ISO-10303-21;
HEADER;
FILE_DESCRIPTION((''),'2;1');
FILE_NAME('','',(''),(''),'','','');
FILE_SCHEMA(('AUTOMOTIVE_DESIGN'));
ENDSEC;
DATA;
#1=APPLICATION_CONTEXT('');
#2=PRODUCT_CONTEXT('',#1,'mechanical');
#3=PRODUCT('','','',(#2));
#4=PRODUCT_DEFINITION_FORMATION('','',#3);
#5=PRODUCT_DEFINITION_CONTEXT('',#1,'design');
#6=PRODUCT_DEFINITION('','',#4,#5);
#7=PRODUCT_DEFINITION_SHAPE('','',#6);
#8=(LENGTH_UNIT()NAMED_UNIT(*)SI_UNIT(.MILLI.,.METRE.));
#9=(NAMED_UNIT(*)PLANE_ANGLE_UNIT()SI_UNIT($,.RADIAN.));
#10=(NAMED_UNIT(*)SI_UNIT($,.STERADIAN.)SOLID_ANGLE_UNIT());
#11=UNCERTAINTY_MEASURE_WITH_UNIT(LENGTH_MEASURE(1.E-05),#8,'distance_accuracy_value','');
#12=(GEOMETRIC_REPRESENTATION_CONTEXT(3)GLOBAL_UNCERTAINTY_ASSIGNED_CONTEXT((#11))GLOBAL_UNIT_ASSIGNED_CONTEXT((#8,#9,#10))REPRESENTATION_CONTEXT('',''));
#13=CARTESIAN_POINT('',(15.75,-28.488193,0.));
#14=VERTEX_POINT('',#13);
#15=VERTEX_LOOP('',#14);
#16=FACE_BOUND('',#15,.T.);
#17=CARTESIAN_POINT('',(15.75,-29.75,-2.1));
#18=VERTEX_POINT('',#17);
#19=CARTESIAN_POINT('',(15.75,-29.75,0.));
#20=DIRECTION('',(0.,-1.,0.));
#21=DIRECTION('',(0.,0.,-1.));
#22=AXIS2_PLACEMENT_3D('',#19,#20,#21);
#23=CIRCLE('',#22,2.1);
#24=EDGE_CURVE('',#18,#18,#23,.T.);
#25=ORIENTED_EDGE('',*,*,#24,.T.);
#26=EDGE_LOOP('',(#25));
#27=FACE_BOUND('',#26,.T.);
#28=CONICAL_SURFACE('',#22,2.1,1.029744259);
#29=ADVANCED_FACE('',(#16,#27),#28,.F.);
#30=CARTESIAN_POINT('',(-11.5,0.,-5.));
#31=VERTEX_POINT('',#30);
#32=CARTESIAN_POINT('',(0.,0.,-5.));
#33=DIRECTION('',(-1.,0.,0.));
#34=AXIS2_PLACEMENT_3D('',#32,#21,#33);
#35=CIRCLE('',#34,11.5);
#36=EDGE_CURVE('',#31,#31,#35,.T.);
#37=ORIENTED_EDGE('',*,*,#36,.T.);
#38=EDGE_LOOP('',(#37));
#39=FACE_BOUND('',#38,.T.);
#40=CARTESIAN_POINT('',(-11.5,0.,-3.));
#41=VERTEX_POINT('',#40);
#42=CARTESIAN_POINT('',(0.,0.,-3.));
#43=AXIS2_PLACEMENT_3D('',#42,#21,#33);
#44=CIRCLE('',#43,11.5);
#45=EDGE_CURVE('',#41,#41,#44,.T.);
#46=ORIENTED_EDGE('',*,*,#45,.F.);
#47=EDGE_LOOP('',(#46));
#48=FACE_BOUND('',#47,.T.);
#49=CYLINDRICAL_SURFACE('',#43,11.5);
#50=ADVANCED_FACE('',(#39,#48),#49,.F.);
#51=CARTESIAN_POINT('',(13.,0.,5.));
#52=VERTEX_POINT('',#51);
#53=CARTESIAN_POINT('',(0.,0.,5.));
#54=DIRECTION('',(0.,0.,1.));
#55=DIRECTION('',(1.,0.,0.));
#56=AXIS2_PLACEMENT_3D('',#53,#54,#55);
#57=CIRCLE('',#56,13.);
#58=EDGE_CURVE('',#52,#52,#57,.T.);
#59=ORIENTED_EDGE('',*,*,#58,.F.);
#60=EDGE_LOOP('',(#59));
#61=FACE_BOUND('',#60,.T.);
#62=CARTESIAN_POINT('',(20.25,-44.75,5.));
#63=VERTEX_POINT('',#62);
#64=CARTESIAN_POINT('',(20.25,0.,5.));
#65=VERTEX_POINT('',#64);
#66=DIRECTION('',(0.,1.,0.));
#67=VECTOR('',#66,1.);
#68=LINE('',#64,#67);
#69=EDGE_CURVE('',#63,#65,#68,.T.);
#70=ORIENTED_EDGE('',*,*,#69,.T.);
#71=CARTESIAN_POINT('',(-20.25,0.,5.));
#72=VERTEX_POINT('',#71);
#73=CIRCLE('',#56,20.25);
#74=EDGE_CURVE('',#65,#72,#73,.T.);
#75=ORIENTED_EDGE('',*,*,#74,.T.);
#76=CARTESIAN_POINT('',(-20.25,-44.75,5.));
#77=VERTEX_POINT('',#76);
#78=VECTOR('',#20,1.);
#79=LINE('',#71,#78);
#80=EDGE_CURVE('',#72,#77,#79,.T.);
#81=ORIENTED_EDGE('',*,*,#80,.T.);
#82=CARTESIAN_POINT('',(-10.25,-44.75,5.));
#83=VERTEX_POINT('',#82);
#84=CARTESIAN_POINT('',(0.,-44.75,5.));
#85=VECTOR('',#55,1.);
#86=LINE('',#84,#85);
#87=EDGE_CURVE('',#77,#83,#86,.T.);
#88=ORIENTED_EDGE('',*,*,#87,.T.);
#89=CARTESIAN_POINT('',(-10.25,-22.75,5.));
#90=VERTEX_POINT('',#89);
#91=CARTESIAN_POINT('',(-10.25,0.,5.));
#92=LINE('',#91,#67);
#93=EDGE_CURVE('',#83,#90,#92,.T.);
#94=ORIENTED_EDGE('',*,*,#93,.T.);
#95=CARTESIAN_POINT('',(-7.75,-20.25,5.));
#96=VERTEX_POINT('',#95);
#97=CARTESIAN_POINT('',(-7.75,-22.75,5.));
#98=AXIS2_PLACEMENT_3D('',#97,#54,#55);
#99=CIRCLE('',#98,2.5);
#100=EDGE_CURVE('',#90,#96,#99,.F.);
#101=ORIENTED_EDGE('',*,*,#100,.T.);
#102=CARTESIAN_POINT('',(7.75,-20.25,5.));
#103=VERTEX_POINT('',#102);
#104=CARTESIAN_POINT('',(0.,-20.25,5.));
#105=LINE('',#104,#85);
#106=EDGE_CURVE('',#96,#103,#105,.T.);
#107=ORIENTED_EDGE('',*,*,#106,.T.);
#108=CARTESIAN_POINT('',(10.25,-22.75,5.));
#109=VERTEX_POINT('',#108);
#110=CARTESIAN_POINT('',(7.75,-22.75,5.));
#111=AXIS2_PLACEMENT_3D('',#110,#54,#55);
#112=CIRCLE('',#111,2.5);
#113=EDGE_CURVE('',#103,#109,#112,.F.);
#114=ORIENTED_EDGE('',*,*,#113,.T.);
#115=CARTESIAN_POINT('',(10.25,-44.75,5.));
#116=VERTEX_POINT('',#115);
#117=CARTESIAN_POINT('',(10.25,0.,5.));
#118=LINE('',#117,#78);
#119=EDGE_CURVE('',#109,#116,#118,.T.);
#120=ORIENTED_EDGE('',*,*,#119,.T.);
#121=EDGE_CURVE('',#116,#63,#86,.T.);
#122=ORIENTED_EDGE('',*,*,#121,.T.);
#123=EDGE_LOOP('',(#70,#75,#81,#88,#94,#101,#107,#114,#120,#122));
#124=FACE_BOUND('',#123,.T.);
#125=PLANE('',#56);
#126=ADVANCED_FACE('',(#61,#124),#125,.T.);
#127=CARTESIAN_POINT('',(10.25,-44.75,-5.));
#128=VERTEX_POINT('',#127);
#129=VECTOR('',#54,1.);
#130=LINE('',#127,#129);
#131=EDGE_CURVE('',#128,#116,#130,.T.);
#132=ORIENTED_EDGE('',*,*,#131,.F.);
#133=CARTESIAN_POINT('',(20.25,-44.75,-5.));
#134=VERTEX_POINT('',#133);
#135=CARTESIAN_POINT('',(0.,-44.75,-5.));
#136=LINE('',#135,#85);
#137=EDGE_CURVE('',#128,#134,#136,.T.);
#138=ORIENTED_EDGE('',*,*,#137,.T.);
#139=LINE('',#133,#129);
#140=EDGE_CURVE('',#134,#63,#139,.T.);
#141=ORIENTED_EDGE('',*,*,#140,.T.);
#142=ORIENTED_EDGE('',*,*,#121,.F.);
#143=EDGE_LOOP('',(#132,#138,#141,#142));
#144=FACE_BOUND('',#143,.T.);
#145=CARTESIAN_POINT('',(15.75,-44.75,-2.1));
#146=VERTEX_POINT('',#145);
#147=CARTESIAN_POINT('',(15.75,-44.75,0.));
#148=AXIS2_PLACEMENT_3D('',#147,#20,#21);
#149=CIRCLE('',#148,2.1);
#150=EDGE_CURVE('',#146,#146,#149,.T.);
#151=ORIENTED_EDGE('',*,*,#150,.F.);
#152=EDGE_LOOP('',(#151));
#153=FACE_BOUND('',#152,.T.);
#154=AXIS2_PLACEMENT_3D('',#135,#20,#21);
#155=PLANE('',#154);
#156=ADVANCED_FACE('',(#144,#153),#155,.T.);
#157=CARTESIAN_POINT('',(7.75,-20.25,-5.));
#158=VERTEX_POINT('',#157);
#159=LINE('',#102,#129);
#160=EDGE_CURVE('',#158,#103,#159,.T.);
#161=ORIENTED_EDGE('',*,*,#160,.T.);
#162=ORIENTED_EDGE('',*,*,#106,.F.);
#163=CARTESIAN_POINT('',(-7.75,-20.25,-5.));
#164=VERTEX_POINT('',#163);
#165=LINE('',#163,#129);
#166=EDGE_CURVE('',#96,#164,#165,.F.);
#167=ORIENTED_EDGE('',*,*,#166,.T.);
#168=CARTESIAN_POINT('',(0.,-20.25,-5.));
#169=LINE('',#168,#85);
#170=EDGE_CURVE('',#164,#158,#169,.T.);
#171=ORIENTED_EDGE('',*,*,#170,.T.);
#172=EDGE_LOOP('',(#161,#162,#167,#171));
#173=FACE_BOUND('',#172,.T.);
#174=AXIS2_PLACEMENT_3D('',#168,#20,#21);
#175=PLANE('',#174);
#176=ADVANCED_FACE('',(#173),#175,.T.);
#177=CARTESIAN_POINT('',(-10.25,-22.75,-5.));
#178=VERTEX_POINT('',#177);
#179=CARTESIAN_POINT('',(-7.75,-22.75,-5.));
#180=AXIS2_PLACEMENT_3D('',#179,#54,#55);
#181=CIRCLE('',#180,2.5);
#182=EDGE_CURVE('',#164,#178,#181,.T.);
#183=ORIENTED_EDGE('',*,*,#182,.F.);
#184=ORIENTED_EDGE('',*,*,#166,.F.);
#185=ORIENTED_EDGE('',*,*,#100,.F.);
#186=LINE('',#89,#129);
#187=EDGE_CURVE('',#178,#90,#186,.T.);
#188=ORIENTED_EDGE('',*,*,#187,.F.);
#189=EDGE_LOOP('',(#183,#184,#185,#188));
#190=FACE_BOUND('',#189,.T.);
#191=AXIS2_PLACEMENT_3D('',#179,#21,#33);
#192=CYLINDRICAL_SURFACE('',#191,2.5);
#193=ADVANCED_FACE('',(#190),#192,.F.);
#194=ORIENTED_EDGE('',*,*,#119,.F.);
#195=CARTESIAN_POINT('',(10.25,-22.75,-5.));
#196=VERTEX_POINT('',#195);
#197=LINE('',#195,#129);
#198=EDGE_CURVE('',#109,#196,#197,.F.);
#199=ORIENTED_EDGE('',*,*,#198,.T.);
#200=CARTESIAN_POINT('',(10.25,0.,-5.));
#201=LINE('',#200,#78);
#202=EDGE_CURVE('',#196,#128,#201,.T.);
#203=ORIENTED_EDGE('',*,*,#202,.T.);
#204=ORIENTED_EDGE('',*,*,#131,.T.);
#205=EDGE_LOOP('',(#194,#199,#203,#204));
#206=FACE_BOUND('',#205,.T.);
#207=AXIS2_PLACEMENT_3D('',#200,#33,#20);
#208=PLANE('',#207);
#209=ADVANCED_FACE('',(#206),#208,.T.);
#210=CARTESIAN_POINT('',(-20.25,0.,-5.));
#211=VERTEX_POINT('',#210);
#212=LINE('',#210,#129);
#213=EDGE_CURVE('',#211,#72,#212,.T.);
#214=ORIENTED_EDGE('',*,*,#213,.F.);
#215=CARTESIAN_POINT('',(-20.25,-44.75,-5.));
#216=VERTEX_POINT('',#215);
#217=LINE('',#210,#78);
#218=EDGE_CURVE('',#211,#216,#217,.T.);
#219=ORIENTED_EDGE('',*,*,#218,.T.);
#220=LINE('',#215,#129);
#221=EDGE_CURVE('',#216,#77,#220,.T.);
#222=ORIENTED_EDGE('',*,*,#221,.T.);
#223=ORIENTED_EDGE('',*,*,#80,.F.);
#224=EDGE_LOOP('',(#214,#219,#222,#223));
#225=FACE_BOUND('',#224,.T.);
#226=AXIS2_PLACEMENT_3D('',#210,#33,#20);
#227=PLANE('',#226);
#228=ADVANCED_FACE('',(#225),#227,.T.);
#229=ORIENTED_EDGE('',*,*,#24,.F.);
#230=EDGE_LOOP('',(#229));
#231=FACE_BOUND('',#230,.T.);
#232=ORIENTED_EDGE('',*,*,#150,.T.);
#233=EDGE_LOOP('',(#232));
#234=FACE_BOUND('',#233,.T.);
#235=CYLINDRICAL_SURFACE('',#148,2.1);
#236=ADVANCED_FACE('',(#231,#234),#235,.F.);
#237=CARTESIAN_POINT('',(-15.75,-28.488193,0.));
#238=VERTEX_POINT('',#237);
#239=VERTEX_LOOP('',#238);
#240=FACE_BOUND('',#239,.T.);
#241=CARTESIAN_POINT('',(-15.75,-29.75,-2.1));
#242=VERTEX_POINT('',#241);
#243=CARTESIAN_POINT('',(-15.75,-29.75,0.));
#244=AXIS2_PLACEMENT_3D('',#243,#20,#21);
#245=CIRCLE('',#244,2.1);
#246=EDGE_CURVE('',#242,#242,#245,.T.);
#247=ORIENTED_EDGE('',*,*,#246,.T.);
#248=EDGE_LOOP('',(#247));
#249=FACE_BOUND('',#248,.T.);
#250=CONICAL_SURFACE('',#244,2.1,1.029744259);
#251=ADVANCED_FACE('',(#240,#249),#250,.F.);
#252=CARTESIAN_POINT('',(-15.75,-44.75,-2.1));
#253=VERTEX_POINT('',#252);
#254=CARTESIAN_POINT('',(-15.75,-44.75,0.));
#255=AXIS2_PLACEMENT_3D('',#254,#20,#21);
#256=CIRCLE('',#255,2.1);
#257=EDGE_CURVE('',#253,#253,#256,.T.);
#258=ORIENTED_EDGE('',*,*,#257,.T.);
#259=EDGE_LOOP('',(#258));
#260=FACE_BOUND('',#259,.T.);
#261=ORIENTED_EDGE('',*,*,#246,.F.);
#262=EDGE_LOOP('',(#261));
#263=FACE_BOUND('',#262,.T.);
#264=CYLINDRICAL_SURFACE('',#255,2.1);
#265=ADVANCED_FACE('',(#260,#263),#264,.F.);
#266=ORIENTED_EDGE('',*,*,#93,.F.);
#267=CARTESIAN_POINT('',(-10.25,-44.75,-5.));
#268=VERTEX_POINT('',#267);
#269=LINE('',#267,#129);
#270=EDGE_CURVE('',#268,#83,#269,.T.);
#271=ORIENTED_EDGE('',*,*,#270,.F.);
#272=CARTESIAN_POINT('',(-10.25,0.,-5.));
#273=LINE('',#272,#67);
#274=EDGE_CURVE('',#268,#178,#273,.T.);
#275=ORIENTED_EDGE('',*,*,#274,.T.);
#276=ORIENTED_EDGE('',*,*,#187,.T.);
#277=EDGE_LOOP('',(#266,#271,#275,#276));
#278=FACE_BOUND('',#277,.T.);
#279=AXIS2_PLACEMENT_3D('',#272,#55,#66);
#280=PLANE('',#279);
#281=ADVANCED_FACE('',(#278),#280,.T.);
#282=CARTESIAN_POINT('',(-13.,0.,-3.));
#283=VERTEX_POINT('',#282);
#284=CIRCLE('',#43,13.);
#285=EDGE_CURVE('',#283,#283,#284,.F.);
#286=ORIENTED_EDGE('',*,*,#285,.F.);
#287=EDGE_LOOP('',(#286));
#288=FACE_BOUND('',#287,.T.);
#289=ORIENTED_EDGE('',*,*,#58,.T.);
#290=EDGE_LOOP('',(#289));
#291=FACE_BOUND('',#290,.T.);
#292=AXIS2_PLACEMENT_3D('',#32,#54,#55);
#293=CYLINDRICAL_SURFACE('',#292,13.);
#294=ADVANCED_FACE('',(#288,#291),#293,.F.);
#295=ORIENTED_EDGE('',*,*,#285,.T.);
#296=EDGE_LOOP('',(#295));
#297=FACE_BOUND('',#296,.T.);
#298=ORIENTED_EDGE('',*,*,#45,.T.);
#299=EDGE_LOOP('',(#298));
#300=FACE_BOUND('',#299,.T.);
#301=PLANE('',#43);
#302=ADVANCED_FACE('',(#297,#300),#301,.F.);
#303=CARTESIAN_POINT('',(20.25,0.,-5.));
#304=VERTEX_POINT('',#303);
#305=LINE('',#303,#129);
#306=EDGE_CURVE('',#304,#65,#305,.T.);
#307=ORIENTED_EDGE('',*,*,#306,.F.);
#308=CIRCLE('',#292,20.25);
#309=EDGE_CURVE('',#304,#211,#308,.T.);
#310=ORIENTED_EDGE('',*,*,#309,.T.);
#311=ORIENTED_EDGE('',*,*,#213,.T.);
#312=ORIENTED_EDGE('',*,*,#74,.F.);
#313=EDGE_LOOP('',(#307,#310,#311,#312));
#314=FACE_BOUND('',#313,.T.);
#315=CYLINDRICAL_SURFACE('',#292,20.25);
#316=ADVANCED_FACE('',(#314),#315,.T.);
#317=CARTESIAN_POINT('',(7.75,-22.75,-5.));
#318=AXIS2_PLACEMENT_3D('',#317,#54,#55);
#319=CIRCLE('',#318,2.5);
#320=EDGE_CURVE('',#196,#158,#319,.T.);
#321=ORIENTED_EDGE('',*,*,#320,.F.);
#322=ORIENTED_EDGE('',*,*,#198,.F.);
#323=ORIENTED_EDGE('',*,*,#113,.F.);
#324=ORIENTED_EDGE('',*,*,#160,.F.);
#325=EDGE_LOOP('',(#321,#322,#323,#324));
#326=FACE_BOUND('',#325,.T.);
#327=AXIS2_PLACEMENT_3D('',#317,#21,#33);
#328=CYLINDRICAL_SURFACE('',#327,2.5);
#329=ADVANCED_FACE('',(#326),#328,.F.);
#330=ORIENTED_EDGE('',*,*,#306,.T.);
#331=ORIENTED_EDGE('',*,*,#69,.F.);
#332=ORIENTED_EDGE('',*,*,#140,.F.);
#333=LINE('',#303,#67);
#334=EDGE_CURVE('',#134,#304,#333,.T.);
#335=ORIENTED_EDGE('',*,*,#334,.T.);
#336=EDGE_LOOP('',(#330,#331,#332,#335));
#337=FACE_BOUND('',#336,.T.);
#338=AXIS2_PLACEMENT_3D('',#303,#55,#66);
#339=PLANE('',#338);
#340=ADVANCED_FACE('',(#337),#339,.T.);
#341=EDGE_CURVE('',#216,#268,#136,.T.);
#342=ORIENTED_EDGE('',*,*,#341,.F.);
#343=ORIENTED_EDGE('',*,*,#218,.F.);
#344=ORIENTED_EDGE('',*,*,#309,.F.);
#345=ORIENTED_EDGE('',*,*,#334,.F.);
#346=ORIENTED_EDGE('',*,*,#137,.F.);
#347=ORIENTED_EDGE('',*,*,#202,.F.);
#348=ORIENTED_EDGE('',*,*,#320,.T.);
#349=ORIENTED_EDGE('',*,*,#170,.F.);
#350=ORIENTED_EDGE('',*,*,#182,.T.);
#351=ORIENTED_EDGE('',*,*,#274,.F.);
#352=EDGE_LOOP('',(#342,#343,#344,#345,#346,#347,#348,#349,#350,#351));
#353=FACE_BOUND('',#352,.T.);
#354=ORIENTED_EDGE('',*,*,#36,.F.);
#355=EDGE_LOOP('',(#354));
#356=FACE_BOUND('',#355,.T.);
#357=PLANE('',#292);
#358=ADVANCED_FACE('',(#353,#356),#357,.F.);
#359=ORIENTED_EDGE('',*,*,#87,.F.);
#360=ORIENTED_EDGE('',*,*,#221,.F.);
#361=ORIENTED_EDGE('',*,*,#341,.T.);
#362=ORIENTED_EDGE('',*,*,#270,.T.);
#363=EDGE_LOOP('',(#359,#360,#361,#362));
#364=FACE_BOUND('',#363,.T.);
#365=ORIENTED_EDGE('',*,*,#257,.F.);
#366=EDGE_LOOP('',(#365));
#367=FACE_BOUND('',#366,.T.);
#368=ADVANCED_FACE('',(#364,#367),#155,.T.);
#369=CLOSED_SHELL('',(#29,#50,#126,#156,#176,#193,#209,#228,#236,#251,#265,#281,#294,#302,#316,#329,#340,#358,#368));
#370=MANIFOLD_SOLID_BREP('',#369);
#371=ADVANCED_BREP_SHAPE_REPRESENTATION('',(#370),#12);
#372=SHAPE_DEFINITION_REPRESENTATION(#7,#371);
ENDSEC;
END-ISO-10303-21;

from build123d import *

# Parameters (mm, degrees)
BOSS_EXTRUDE1_DEPTH       = 5
BOSS_EXTRUDE1_DEPTH_BACK  = 5
SKETCH1_R                 = 13
SKETCH2_R                 = 13
SKETCH2_R_2               = 11.5
BOSS_EXTRUDE2_DEPTH       = 2
M5X0_8_TAPPED_HOLE1_D     = 4.2
M5X0_8_TAPPED_HOLE1_DEPTH = 15
M5X0_8_TAPPED_HOLE1_TIP   = 1.2618073
FILLET1_R                 = 2.5


with BuildPart() as part:
    # Sketch1 → Boss-Extrude1 (new, two sides: drawn at the far end of the back side and taken through both)
    with BuildSketch(Plane.XY.offset(-BOSS_EXTRUDE1_DEPTH_BACK)):
        with BuildLine():
            Line((-10.25, -20.25), (10.25, -20.25))
            Line((10.25, -20.25), (10.25, -44.75))
            Line((10.25, -44.75), (20.25, -44.75))
            Line((20.25, -44.75), (20.25, 0))
            ThreePointArc((20.25, 0), (0, 20.25), (-20.25, 0))
            Line((-20.25, 0), (-20.25, -44.75))
            Line((-20.25, -44.75), (-10.25, -44.75))
            Line((-10.25, -44.75), (-10.25, -20.25))
        make_face()
        Circle(SKETCH1_R, mode=Mode.SUBTRACT)
    extrude(amount=BOSS_EXTRUDE1_DEPTH + BOSS_EXTRUDE1_DEPTH_BACK)

    # Sketch2 → Boss-Extrude2 (add)
    with BuildSketch(Plane(origin=(0, 0, -5), x_dir=(-1, 0, 0), z_dir=(0, 0, -1))):
        Circle(SKETCH2_R)
        Circle(SKETCH2_R_2, mode=Mode.SUBTRACT)
    extrude(amount=-BOSS_EXTRUDE2_DEPTH)

    # M5x0.8 Tapped Hole1
    with Locations(Plane(origin=(0, -44.75, 0), x_dir=(-1, 0, 0), z_dir=(0, -1, 0))):
        with Locations((15.75, 0), (-15.75, 0)):
            Hole(M5X0_8_TAPPED_HOLE1_D / 2, depth=M5X0_8_TAPPED_HOLE1_DEPTH)
            with Locations((0, 0, -(M5X0_8_TAPPED_HOLE1_DEPTH + M5X0_8_TAPPED_HOLE1_TIP / 2))):  # 118° drill point
                Cone(0, M5X0_8_TAPPED_HOLE1_D / 2, M5X0_8_TAPPED_HOLE1_TIP, mode=Mode.SUBTRACT)

    # Fillet1
    fillet1_edges = [part.edges().sort_by_distance(p)[0] for p in [
        (10.25, -20.25, 0),
        (-10.25, -20.25, 0),
    ]]
    fillet(fillet1_edges, radius=FILLET1_R)


solid = part.part
